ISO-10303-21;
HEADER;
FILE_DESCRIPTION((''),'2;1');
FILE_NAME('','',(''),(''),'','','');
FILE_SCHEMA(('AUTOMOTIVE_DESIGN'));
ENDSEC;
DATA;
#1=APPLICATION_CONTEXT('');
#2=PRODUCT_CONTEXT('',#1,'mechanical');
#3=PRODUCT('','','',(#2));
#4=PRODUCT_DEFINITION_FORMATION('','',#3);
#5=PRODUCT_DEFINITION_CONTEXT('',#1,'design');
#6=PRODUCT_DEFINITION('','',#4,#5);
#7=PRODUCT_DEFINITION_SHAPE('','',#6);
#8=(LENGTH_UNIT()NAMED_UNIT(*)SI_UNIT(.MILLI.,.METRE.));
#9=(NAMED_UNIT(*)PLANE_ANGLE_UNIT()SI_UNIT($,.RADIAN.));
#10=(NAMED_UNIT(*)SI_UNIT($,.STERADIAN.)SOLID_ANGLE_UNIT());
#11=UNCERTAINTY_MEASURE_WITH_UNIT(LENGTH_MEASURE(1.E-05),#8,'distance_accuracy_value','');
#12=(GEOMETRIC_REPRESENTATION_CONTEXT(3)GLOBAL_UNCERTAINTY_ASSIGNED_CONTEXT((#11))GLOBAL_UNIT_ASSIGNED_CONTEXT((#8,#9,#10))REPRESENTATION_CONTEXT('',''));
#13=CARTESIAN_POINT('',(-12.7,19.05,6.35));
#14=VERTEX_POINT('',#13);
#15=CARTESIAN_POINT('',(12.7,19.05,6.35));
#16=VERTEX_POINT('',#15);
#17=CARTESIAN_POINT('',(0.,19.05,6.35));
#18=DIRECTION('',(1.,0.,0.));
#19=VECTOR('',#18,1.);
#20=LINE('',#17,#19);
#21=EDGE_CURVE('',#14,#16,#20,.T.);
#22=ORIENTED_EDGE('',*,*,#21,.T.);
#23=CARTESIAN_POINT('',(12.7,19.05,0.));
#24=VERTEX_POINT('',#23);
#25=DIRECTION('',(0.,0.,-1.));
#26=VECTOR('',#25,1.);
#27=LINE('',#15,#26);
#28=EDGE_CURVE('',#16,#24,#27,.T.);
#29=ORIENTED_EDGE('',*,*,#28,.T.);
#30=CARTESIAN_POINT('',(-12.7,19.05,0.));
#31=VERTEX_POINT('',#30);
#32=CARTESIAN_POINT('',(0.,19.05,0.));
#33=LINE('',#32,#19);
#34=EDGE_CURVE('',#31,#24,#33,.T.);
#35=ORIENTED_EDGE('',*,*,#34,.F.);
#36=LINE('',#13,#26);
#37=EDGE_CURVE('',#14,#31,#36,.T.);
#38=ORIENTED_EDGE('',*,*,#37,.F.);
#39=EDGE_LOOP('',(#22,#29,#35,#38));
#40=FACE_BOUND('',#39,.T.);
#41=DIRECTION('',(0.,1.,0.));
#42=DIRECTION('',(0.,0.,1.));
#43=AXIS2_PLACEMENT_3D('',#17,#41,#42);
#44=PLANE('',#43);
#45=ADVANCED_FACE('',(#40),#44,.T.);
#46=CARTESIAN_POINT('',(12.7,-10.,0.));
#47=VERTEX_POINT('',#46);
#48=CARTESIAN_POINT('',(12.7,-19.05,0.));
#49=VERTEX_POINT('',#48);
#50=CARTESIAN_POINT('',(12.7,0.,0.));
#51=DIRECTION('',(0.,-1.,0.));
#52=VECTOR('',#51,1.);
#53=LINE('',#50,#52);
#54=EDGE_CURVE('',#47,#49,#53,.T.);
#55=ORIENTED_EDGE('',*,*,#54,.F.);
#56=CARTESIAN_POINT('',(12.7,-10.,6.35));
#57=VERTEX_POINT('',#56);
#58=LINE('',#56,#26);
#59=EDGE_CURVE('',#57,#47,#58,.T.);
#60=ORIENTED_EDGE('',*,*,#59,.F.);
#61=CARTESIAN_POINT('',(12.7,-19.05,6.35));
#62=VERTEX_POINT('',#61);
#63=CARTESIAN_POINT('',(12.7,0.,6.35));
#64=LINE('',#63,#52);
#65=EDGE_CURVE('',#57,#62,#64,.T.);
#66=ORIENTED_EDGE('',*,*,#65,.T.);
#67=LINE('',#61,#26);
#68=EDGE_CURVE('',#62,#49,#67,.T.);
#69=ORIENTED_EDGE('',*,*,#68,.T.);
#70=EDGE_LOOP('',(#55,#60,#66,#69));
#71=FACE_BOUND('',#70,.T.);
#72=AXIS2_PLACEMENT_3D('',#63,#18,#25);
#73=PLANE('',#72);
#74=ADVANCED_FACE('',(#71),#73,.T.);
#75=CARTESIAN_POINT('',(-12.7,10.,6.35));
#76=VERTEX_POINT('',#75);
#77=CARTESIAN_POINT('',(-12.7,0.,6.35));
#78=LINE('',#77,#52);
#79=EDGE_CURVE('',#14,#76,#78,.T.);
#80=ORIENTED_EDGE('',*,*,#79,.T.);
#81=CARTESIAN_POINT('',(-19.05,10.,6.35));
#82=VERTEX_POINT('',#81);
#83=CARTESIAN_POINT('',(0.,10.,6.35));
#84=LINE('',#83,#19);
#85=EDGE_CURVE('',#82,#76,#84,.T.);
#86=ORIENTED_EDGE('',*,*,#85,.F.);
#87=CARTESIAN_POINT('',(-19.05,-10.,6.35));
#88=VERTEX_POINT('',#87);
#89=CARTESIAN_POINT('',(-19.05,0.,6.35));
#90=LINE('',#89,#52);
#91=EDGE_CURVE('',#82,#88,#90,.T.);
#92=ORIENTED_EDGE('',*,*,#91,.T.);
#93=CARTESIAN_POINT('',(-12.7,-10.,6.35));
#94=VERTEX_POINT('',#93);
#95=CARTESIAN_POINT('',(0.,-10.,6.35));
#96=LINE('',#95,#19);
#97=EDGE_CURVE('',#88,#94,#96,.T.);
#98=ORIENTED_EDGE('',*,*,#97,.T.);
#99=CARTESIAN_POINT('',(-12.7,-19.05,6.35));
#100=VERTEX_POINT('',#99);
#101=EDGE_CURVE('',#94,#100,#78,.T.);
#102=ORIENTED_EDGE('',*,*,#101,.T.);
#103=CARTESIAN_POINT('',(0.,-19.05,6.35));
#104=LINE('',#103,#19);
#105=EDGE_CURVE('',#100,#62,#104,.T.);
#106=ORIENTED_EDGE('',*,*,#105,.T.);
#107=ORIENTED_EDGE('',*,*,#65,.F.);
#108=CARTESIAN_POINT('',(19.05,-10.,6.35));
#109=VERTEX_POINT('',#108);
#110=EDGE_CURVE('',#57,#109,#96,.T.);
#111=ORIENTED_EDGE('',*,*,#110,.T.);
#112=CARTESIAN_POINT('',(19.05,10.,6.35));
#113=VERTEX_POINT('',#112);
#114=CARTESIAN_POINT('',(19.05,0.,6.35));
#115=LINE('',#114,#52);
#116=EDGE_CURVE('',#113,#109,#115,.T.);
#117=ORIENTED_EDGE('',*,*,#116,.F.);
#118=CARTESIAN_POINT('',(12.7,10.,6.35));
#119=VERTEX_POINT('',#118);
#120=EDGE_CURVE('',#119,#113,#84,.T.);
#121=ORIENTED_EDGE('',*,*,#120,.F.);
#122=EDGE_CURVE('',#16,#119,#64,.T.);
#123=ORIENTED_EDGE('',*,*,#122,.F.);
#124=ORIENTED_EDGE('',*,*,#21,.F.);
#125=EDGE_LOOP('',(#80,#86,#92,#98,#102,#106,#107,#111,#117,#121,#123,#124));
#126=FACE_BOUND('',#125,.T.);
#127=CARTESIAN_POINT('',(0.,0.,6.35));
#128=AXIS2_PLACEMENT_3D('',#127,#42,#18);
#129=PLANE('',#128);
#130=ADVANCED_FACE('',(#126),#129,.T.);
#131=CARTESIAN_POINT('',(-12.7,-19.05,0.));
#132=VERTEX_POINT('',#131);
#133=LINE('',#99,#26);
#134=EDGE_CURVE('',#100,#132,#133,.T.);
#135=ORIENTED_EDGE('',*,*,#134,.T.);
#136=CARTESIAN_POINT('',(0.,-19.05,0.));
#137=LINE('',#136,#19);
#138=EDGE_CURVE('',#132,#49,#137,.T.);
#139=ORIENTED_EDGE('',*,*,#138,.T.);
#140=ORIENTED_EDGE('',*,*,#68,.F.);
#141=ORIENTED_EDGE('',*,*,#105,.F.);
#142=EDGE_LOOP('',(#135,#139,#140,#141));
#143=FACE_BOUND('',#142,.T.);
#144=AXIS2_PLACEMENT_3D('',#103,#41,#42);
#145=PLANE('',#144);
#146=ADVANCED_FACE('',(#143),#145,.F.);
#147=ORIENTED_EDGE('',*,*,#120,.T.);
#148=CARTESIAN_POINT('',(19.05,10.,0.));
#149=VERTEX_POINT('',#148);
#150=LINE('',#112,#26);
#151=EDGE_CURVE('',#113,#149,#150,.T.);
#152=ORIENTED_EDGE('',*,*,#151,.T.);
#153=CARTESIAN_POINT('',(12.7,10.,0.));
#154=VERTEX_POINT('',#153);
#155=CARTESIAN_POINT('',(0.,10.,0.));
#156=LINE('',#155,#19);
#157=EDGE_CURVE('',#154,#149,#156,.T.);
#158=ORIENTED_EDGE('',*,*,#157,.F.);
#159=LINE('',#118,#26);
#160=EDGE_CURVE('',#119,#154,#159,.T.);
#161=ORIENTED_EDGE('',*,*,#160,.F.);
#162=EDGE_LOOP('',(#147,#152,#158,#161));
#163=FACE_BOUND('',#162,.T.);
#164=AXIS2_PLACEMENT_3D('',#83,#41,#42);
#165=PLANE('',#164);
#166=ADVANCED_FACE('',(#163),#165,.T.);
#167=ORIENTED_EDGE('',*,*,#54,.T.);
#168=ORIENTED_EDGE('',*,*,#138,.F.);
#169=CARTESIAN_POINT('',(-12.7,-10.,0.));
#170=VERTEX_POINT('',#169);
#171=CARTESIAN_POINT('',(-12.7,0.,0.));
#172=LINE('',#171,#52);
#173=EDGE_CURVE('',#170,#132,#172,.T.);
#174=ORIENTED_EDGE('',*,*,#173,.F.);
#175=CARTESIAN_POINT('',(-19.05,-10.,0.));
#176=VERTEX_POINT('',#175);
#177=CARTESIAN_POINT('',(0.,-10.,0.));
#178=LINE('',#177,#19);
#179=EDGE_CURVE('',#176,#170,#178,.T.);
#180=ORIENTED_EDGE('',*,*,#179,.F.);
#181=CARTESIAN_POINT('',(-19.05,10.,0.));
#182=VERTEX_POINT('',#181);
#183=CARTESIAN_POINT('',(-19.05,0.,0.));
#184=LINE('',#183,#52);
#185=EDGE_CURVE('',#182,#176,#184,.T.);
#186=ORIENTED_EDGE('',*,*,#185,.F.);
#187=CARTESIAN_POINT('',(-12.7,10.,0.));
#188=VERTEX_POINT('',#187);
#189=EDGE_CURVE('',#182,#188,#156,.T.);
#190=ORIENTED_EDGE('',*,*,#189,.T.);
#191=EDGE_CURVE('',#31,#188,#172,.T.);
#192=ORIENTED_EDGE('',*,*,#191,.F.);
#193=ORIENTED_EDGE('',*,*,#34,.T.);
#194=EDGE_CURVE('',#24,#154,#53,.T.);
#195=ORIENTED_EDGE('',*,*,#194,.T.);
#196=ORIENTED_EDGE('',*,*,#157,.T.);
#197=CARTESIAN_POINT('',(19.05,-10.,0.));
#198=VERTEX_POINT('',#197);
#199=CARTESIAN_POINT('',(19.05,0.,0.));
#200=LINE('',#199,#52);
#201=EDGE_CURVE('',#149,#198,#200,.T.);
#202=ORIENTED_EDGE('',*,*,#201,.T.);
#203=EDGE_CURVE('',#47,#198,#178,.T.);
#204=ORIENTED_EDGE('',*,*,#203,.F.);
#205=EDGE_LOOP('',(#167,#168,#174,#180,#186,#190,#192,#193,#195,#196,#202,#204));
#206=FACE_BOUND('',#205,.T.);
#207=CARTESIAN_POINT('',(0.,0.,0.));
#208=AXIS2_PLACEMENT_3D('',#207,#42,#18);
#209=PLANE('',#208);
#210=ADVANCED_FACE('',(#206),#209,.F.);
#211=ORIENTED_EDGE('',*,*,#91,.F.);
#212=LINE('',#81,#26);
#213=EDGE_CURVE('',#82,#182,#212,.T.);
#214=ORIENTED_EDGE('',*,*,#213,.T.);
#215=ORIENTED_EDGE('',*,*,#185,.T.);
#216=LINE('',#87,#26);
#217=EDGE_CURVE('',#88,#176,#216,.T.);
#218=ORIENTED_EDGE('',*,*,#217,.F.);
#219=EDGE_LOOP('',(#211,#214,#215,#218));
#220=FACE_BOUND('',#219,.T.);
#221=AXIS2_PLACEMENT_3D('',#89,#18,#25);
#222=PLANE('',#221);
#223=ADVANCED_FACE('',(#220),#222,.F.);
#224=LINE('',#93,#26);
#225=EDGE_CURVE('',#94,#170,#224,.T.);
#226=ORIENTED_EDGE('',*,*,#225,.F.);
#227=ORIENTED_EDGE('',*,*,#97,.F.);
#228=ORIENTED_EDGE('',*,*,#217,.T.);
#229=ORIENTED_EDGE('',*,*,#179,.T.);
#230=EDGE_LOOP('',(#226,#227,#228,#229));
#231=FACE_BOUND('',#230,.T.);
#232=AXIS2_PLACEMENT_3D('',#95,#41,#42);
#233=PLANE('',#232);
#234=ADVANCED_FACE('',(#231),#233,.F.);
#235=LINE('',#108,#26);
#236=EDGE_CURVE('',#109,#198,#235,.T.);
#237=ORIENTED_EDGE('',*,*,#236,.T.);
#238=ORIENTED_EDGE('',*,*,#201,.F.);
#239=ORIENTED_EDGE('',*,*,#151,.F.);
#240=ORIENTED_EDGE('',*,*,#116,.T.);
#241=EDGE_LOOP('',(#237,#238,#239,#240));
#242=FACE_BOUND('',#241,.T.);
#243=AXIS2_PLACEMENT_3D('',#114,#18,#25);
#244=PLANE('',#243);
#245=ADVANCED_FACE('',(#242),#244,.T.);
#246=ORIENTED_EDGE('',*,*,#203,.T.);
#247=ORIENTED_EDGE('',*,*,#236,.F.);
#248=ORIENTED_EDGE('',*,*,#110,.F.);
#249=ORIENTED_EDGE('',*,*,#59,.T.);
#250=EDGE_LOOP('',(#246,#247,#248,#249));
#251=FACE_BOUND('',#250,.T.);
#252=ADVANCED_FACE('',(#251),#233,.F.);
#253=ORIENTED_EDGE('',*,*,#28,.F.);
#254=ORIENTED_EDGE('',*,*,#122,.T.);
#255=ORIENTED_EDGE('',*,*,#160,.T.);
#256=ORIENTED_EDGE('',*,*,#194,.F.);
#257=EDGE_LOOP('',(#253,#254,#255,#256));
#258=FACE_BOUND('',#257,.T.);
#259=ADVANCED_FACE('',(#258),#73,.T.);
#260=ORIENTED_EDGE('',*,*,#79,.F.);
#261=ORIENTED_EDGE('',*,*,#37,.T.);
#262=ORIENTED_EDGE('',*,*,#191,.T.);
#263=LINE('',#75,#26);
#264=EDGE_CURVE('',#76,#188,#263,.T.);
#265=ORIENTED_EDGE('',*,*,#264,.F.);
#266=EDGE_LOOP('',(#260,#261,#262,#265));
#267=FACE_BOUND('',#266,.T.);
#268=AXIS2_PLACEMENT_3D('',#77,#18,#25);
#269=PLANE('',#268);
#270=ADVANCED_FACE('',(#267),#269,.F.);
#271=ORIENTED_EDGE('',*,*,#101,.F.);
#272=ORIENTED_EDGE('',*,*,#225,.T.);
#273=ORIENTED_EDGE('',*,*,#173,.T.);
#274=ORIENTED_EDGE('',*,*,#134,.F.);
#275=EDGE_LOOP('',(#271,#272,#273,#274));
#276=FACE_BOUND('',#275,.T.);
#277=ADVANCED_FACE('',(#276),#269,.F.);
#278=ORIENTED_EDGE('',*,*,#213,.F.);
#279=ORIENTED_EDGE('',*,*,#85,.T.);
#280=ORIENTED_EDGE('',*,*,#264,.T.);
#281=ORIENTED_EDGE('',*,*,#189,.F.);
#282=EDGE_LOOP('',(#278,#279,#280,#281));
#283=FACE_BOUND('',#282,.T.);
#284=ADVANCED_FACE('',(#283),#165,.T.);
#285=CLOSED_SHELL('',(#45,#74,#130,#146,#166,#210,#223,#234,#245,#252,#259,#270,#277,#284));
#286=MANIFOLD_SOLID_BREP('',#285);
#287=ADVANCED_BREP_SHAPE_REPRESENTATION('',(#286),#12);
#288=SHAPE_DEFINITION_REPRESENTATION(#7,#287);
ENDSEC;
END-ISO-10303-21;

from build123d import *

# Parameters (mm, degrees)
ESQUISSE1_W        = 25.4
ESQUISSE1_H        = 20
ESQUISSE1_W_2      = 6.35
ESQUISSE1_H_2      = 9.05
BOSS_EXTRU_1_DEPTH = 6.35


with BuildPart() as part:
    # Esquisse1 → Boss.-Extru.1 (new body)
    with BuildSketch(Plane.XY):
        Rectangle(ESQUISSE1_W, ESQUISSE1_H)
        with Locations((-15.875, 0)):
            Rectangle(ESQUISSE1_W_2, ESQUISSE1_H)
        with Locations((0, -14.525)):
            Rectangle(ESQUISSE1_W, ESQUISSE1_H_2)
        with Locations((15.875, 0)):
            Rectangle(ESQUISSE1_W_2, ESQUISSE1_H)
        with Locations((0, 14.525)):
            Rectangle(ESQUISSE1_W, ESQUISSE1_H_2)
    extrude(amount=BOSS_EXTRU_1_DEPTH)


solid = part.part
